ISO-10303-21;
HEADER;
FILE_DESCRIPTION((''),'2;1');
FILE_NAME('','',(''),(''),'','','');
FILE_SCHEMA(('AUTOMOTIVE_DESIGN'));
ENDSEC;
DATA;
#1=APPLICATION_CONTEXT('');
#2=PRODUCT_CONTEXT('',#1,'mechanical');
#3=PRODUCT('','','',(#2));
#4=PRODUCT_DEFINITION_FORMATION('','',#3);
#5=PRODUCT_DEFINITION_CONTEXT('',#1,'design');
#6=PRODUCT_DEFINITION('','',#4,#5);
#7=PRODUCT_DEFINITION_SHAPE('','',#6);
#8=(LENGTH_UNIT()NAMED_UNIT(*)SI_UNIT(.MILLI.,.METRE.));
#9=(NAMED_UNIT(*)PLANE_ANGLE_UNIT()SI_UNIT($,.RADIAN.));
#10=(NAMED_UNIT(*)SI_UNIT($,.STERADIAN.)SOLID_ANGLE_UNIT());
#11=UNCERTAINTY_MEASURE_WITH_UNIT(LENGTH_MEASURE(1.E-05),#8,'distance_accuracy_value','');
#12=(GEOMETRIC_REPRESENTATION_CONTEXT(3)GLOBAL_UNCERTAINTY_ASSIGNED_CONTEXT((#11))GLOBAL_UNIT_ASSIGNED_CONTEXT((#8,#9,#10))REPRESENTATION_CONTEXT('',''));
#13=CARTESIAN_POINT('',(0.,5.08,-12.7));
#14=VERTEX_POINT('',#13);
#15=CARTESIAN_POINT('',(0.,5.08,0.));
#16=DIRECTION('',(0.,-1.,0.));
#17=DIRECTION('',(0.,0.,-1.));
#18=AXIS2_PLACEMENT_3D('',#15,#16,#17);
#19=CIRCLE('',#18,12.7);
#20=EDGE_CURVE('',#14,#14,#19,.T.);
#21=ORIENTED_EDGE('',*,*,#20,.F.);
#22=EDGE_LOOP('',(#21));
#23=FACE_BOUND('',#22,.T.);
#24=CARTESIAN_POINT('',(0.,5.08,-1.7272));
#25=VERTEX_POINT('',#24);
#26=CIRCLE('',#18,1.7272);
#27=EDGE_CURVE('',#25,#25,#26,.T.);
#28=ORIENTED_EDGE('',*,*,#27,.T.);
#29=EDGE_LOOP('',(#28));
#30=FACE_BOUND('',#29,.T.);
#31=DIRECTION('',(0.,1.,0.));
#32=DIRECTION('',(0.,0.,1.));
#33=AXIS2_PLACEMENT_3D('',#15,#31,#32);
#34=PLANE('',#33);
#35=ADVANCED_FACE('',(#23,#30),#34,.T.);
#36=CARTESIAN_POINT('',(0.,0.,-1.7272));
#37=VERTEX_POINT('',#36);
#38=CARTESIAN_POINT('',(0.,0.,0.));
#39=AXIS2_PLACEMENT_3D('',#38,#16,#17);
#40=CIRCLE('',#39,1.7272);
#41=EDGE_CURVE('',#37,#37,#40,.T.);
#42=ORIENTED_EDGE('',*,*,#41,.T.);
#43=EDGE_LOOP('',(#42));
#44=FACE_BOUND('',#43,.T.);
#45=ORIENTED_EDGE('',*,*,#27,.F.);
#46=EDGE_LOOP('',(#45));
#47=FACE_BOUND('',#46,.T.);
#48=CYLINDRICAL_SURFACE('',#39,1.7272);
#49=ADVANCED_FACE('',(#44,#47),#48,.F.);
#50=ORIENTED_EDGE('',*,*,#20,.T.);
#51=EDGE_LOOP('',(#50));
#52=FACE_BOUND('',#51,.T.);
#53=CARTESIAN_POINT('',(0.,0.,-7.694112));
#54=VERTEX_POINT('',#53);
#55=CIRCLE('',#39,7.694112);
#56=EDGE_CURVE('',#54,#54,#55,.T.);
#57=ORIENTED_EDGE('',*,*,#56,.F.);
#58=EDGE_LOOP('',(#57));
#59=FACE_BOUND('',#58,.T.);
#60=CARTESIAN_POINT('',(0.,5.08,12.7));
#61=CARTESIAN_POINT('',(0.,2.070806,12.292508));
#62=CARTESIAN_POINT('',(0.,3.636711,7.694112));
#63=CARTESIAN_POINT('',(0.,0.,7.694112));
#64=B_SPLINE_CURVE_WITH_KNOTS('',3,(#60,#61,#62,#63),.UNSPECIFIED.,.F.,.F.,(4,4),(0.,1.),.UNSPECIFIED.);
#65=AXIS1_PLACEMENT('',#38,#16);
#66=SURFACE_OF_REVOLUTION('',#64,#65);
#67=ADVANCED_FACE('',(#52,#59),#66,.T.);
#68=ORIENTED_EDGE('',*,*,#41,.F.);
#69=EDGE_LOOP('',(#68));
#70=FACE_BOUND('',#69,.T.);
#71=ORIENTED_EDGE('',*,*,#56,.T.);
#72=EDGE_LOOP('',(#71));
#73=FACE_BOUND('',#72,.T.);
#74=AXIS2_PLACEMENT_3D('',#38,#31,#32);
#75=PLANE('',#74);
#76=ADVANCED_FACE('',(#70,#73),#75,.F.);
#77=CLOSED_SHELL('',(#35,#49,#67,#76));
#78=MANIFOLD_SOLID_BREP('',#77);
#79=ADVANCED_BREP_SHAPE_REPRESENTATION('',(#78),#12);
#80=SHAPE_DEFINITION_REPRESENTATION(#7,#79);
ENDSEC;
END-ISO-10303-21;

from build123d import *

# Parameters (mm, degrees)
SKETCH1_R             = 12.7
BOSS_EXTRUDE1_DEPTH   = 5.08
F_8_32_TAPPED_HOLE1_D = 3.4544


with BuildPart() as part:
    # Sketch1 → Boss-Extrude1 (new body)
    with BuildSketch(Plane(origin=(0, 0, 0), x_dir=(1, 0, 0), z_dir=(0, 1, 0))):
        Circle(SKETCH1_R)
    extrude(amount=BOSS_EXTRUDE1_DEPTH)

    # Sketch2 → Cut-Revolve1 (revolve, cut)
    with BuildSketch(Plane(origin=(0, 0, 0), x_dir=(0, 0, -1), z_dir=(1, 0, 0))):
        with BuildLine():
            add(Edge.make_bspline(
                [(-12.7, 5.08), (-12.29250781, 2.070805796), (-7.694111536, 3.636711405), (-7.694111536, 0)],
                knots=[0, 0, 0, 0, 1, 1, 1, 1], degree=3))
            Line((-12.7, 5.08), (-12.7, 0))
            Line((-12.7, 0), (-7.694111536, 0))
        make_face()
    revolve(axis=Axis((0, 0, 0), (0, 1, 0)), mode=Mode.SUBTRACT)

    # #8-32 Tapped Hole1 (through all)
    with Locations(Plane(origin=(0, 0, 0), x_dir=(-1, 0, 0), z_dir=(0, -1, 0))):
        with Locations((0, 0)):
            Hole(F_8_32_TAPPED_HOLE1_D / 2)


solid = part.part
